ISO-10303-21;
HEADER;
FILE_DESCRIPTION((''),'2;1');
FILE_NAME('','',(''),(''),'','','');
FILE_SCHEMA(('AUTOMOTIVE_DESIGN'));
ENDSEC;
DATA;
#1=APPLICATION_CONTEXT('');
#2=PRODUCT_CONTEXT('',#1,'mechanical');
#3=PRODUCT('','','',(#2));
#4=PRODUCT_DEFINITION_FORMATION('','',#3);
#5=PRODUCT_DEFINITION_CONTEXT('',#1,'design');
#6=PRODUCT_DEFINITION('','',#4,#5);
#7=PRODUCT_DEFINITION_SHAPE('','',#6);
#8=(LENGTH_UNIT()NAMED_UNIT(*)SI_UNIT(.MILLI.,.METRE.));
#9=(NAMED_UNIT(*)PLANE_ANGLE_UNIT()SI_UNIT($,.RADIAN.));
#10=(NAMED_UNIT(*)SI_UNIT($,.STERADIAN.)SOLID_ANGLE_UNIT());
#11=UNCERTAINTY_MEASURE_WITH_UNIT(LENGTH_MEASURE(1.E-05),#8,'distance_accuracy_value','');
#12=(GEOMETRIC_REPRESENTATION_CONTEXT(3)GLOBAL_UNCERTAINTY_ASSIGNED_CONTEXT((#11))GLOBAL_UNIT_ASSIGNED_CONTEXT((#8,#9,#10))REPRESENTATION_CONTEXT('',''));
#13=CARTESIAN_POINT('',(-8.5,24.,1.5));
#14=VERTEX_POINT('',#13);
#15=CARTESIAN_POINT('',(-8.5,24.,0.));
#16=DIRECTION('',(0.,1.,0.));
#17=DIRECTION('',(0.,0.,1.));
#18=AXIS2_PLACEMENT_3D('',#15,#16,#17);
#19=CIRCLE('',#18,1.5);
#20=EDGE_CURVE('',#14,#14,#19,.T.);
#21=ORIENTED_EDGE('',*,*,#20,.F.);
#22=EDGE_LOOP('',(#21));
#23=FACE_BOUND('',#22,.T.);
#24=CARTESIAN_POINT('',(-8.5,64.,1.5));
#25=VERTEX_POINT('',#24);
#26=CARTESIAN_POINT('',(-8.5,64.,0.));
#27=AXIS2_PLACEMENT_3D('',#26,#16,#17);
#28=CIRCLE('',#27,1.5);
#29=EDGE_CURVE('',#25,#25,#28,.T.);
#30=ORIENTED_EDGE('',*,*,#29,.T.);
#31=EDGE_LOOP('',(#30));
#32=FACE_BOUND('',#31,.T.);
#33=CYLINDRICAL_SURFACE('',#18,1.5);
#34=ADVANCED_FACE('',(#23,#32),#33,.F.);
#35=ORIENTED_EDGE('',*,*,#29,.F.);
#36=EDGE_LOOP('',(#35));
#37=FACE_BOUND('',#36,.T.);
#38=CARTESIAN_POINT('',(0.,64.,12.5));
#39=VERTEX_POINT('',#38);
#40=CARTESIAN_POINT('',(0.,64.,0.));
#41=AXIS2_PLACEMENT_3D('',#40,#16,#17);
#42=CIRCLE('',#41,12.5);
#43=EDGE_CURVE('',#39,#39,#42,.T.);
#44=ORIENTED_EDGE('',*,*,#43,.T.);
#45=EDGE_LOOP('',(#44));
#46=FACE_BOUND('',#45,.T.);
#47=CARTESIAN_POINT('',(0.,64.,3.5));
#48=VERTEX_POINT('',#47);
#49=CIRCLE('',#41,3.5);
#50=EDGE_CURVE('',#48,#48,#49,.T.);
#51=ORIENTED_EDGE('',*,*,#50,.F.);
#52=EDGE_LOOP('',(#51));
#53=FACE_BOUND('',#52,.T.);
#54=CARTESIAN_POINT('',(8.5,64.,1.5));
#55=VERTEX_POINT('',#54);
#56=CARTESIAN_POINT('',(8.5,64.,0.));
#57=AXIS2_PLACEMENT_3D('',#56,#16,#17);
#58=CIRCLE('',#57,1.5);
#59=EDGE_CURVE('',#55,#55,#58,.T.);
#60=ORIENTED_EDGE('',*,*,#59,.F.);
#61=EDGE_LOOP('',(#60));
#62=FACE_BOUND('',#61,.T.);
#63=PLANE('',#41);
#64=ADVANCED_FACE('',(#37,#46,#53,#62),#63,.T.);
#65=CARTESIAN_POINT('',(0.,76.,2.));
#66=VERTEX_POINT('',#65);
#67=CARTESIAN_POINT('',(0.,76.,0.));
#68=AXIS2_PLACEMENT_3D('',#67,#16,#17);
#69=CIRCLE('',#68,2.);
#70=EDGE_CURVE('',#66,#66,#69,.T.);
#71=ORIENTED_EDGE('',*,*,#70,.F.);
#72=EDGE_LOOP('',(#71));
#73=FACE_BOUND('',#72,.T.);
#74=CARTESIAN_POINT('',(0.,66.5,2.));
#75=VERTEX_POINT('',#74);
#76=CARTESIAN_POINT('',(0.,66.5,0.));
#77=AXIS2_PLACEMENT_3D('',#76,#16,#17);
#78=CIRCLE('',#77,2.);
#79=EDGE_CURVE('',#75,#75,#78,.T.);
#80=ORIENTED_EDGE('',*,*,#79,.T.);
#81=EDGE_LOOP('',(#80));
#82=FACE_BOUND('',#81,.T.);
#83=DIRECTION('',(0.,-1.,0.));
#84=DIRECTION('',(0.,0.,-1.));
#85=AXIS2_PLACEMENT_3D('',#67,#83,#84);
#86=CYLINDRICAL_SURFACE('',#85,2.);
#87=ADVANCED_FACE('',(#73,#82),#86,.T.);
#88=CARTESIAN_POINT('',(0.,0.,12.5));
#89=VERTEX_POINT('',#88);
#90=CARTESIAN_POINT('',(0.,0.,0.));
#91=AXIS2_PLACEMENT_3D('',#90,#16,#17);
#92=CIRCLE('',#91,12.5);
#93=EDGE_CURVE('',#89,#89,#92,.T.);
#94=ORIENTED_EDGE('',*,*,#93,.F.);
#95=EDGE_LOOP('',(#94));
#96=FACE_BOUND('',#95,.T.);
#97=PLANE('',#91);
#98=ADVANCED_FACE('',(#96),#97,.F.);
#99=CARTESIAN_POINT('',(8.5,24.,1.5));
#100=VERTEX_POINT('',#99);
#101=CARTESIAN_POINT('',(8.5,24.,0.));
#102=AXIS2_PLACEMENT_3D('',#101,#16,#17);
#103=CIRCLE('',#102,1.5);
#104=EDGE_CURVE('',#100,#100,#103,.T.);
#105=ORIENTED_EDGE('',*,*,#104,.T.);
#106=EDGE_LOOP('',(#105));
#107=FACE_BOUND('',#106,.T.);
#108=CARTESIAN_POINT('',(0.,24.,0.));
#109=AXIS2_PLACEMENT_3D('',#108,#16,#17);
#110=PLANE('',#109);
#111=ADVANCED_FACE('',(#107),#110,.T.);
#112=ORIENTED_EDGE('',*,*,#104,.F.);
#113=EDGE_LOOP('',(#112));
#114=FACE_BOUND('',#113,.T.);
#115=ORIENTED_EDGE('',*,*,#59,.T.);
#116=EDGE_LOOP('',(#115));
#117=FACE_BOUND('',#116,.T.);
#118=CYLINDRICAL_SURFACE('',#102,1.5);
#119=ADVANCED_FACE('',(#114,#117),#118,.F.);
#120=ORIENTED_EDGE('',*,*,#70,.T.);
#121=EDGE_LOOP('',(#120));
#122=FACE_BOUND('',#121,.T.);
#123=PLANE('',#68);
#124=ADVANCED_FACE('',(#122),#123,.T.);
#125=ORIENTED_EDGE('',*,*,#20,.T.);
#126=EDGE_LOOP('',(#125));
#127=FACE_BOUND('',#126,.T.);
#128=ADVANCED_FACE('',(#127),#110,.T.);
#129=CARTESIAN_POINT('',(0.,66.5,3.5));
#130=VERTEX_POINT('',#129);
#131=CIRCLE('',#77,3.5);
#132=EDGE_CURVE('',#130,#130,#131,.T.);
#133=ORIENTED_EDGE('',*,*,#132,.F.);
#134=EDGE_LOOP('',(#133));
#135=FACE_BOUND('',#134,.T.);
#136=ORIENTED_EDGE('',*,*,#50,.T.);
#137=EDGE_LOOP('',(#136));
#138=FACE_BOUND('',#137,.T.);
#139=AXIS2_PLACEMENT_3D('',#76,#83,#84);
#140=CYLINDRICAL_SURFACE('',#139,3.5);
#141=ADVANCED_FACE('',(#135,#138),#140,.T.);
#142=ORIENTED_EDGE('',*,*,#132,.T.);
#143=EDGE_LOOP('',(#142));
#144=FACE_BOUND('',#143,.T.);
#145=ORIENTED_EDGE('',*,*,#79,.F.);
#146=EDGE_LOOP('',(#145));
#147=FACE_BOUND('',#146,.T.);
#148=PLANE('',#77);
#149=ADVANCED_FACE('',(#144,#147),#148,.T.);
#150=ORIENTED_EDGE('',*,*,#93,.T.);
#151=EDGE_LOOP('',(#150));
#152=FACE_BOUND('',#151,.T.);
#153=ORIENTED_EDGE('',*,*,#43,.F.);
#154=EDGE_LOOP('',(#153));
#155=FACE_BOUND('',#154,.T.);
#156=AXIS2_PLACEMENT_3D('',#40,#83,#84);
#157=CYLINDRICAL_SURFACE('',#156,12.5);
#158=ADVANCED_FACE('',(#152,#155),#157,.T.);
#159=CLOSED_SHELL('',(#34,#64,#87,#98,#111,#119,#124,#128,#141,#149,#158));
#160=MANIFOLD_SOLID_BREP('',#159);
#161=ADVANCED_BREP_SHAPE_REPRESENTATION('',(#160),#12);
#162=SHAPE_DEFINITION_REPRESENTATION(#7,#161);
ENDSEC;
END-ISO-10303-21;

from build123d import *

# Parameters (mm, degrees)
CROQUIS1_R              = 12.5
SALIENTE_EXTRUIR1_DEPTH = 64
CROQUIS2_R              = 1.5
CORTAR_EXTRUIR1_DEPTH   = 40
CROQUIS3_R              = 3.5
SALIENTE_EXTRUIR2_DEPTH = 2.5
CROQUIS4_R              = 2
SALIENTE_EXTRUIR3_DEPTH = 9.5


with BuildPart() as part:
    # Croquis1 → Saliente-Extruir1 (new body)
    with BuildSketch(Plane(origin=(0, 0, 0), x_dir=(1, 0, 0), z_dir=(0, 1, 0))):
        with Locations(Location((0, 0, 0), (0, 0, 270))):
            Circle(CROQUIS1_R)
    extrude(amount=SALIENTE_EXTRUIR1_DEPTH)

    # Croquis2 → Cortar-Extruir1 (cut)
    with BuildSketch(Plane(origin=(0, 64, 0), x_dir=(1, 0, 0), z_dir=(0, 1, 0))):
        with Locations(Location((-8.5, 0, 0), (0, 0, 270))):
            Circle(CROQUIS2_R)
        with Locations(Location((8.5, 0, 0), (0, 0, 270))):
            Circle(CROQUIS2_R)
    extrude(amount=-CORTAR_EXTRUIR1_DEPTH, mode=Mode.SUBTRACT)

    # Croquis3 → Saliente-Extruir2 (add)
    with BuildSketch(Plane(origin=(0, 64, 0), x_dir=(1, 0, 0), z_dir=(0, 1, 0))):
        with Locations(Location((0, 0, 0), (0, 0, 270))):
            Circle(CROQUIS3_R)
    extrude(amount=SALIENTE_EXTRUIR2_DEPTH)

    # Croquis4 → Saliente-Extruir3 (add)
    with BuildSketch(Plane(origin=(0, 66.5, 0), x_dir=(1, 0, 0), z_dir=(0, 1, 0))):
        with Locations(Location((0, 0, 0), (0, 0, 270))):
            Circle(CROQUIS4_R)
    extrude(amount=SALIENTE_EXTRUIR3_DEPTH)


solid = part.part
